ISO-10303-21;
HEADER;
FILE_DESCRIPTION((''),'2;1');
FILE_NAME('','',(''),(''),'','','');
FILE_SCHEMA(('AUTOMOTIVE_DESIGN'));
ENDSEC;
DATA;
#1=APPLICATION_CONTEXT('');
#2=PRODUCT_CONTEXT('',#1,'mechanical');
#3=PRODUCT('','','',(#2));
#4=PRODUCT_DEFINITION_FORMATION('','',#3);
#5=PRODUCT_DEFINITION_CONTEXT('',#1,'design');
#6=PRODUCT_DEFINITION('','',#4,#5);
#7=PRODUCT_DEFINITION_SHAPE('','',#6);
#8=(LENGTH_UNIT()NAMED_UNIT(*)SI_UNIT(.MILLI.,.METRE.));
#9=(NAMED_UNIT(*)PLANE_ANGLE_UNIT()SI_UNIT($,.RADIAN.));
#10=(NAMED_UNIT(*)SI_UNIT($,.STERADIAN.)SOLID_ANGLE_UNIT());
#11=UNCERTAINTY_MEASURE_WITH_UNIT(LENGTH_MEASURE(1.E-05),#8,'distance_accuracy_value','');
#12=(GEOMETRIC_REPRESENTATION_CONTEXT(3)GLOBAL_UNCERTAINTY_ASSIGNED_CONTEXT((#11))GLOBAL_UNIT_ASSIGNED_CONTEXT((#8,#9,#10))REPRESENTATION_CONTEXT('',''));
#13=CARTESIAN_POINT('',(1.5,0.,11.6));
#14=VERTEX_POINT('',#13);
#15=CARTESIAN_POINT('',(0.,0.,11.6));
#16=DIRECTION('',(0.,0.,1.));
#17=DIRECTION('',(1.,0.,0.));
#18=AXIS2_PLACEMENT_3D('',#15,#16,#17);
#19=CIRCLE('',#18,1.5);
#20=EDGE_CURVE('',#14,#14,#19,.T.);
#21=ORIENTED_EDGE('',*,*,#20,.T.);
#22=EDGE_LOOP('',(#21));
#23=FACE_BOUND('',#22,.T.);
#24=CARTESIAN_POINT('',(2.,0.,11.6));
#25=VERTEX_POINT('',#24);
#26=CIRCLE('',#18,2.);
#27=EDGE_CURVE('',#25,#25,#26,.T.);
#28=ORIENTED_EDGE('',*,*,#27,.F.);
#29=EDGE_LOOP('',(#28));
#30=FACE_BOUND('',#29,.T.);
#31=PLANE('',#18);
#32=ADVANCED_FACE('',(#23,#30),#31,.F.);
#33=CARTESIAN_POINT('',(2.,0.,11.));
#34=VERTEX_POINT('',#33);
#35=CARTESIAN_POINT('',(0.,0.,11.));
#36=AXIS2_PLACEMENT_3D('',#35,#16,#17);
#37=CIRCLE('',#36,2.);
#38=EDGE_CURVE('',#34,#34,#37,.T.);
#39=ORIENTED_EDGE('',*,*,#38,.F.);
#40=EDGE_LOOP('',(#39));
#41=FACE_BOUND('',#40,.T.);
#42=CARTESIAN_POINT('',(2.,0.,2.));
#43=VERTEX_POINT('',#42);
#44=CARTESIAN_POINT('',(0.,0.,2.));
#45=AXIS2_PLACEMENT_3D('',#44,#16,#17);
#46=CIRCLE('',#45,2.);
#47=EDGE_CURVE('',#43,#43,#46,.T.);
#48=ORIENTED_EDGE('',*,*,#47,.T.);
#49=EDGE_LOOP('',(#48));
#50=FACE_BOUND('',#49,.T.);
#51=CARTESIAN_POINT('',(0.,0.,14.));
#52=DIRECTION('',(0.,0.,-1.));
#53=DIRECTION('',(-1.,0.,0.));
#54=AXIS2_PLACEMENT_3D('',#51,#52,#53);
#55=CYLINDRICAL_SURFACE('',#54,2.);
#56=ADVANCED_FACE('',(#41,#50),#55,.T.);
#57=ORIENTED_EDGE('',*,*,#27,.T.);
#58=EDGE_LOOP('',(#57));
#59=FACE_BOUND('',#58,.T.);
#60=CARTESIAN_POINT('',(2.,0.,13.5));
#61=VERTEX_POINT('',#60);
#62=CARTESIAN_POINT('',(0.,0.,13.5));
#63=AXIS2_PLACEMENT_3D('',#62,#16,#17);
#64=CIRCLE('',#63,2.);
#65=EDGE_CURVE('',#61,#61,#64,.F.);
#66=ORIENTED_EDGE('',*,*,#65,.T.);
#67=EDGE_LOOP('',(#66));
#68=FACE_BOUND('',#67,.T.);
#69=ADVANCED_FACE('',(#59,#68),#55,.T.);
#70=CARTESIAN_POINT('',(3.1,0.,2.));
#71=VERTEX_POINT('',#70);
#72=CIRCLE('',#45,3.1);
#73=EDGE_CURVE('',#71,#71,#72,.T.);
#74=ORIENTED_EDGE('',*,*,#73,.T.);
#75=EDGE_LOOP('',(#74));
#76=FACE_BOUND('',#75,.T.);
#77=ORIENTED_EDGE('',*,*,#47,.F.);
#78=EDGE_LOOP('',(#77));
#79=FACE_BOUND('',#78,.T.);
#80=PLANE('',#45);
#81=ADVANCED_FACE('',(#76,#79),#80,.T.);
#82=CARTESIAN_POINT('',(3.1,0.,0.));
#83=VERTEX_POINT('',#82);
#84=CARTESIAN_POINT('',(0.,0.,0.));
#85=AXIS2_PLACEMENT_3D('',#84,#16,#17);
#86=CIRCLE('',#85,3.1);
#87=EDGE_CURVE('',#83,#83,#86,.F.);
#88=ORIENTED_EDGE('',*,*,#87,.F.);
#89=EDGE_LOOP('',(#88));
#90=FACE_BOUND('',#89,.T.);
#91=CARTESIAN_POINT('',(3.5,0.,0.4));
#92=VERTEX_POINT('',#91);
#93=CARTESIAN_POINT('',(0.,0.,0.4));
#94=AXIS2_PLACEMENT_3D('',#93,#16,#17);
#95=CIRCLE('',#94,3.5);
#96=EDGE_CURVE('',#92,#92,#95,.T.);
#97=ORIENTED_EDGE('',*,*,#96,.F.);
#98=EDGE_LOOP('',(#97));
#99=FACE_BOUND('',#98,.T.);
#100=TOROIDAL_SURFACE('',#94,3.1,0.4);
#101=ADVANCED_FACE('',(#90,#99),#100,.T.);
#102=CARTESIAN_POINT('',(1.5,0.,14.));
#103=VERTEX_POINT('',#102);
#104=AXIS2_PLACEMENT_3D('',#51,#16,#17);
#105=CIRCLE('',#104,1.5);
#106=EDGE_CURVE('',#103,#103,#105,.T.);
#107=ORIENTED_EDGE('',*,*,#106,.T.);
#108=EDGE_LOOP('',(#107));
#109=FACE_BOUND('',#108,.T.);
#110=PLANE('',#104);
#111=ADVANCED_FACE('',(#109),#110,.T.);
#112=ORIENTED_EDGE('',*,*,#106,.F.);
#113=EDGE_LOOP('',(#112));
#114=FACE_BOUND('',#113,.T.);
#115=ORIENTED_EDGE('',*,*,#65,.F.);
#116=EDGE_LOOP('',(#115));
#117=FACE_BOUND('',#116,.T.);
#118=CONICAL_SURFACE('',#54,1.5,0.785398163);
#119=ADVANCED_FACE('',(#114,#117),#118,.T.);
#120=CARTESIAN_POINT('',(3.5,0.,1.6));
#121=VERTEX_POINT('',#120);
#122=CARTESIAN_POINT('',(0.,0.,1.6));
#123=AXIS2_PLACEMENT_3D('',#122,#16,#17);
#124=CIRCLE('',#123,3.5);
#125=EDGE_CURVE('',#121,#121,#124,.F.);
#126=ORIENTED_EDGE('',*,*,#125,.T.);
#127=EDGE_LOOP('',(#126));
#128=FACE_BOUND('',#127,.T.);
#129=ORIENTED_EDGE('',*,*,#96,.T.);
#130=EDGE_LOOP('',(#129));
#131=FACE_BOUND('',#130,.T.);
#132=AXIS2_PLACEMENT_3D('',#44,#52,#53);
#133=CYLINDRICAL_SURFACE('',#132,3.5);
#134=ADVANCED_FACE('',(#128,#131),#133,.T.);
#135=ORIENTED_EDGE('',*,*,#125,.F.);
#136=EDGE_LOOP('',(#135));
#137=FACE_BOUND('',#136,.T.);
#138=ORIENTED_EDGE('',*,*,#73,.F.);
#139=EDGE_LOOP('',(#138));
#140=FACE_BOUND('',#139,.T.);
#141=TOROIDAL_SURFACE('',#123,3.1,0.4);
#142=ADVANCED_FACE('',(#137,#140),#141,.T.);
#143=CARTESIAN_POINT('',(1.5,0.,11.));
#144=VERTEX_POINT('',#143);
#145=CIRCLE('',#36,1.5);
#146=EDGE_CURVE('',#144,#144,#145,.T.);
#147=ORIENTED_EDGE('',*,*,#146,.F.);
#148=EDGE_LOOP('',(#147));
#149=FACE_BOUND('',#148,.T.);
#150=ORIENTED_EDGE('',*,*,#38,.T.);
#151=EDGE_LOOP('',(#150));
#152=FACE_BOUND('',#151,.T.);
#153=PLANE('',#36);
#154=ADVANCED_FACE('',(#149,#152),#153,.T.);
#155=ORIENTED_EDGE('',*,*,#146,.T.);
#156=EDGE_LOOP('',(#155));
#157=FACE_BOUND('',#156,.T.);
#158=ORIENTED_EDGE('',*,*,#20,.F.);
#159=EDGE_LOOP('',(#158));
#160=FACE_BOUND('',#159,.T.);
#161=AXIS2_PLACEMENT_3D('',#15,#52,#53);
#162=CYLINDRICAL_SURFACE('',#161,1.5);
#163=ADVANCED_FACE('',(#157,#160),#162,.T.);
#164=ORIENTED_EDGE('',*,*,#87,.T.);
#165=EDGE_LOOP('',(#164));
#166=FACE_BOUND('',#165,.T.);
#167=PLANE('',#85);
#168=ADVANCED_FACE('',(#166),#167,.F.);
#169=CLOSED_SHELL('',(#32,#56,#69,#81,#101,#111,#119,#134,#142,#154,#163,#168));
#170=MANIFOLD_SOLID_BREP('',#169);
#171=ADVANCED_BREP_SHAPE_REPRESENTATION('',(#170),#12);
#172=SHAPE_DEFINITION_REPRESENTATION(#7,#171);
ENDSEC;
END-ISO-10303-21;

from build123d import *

# Parameters (mm, degrees)
SKETCH_1_R          = 3.5
EXTRUDE_1_DEPTH     = 2
SKETCH_2_R          = 2
EXTRUDE_2_DEPTH     = 12
CUT_EXTRUDE_START   = -3
SKETCH_3_R          = 2
SKETCH_3_R_2        = 1.5
CUT_EXTRUDE_1_DEPTH = 0.6
CHAMFER_1_SIZE      = 0.5
FILLET_1_R          = 0.4


with BuildPart() as part:
    # 草图1 → 凸台-拉伸1 (new body)
    with BuildSketch(Plane.XY):
        Circle(SKETCH_1_R)
    extrude(amount=EXTRUDE_1_DEPTH)

    # 草图2 → 凸台-拉伸2 (add)
    with BuildSketch(Plane.XY.offset(2)):
        Circle(SKETCH_2_R)
    extrude(amount=EXTRUDE_2_DEPTH)

    # 草图3 → 切除-拉伸1 (cut)
    with BuildSketch(Plane.XY.offset(14).offset(CUT_EXTRUDE_START)):
        Circle(SKETCH_3_R)
        Circle(SKETCH_3_R_2, mode=Mode.SUBTRACT)
    extrude(amount=CUT_EXTRUDE_1_DEPTH, mode=Mode.SUBTRACT)

    # 倒角1
    chamfer_1_edges = [part.edges().sort_by_distance(p)[0] for p in [
        (-2, 0, 14),
    ]]
    chamfer(chamfer_1_edges, length=CHAMFER_1_SIZE)

    # 圆角1
    fillet_1_edges = [part.edges().sort_by_distance(p)[0] for p in [
        (-3.5, 0, 0),
        (-3.5, 0, 2),
    ]]
    fillet(fillet_1_edges, radius=FILLET_1_R)


solid = part.part
